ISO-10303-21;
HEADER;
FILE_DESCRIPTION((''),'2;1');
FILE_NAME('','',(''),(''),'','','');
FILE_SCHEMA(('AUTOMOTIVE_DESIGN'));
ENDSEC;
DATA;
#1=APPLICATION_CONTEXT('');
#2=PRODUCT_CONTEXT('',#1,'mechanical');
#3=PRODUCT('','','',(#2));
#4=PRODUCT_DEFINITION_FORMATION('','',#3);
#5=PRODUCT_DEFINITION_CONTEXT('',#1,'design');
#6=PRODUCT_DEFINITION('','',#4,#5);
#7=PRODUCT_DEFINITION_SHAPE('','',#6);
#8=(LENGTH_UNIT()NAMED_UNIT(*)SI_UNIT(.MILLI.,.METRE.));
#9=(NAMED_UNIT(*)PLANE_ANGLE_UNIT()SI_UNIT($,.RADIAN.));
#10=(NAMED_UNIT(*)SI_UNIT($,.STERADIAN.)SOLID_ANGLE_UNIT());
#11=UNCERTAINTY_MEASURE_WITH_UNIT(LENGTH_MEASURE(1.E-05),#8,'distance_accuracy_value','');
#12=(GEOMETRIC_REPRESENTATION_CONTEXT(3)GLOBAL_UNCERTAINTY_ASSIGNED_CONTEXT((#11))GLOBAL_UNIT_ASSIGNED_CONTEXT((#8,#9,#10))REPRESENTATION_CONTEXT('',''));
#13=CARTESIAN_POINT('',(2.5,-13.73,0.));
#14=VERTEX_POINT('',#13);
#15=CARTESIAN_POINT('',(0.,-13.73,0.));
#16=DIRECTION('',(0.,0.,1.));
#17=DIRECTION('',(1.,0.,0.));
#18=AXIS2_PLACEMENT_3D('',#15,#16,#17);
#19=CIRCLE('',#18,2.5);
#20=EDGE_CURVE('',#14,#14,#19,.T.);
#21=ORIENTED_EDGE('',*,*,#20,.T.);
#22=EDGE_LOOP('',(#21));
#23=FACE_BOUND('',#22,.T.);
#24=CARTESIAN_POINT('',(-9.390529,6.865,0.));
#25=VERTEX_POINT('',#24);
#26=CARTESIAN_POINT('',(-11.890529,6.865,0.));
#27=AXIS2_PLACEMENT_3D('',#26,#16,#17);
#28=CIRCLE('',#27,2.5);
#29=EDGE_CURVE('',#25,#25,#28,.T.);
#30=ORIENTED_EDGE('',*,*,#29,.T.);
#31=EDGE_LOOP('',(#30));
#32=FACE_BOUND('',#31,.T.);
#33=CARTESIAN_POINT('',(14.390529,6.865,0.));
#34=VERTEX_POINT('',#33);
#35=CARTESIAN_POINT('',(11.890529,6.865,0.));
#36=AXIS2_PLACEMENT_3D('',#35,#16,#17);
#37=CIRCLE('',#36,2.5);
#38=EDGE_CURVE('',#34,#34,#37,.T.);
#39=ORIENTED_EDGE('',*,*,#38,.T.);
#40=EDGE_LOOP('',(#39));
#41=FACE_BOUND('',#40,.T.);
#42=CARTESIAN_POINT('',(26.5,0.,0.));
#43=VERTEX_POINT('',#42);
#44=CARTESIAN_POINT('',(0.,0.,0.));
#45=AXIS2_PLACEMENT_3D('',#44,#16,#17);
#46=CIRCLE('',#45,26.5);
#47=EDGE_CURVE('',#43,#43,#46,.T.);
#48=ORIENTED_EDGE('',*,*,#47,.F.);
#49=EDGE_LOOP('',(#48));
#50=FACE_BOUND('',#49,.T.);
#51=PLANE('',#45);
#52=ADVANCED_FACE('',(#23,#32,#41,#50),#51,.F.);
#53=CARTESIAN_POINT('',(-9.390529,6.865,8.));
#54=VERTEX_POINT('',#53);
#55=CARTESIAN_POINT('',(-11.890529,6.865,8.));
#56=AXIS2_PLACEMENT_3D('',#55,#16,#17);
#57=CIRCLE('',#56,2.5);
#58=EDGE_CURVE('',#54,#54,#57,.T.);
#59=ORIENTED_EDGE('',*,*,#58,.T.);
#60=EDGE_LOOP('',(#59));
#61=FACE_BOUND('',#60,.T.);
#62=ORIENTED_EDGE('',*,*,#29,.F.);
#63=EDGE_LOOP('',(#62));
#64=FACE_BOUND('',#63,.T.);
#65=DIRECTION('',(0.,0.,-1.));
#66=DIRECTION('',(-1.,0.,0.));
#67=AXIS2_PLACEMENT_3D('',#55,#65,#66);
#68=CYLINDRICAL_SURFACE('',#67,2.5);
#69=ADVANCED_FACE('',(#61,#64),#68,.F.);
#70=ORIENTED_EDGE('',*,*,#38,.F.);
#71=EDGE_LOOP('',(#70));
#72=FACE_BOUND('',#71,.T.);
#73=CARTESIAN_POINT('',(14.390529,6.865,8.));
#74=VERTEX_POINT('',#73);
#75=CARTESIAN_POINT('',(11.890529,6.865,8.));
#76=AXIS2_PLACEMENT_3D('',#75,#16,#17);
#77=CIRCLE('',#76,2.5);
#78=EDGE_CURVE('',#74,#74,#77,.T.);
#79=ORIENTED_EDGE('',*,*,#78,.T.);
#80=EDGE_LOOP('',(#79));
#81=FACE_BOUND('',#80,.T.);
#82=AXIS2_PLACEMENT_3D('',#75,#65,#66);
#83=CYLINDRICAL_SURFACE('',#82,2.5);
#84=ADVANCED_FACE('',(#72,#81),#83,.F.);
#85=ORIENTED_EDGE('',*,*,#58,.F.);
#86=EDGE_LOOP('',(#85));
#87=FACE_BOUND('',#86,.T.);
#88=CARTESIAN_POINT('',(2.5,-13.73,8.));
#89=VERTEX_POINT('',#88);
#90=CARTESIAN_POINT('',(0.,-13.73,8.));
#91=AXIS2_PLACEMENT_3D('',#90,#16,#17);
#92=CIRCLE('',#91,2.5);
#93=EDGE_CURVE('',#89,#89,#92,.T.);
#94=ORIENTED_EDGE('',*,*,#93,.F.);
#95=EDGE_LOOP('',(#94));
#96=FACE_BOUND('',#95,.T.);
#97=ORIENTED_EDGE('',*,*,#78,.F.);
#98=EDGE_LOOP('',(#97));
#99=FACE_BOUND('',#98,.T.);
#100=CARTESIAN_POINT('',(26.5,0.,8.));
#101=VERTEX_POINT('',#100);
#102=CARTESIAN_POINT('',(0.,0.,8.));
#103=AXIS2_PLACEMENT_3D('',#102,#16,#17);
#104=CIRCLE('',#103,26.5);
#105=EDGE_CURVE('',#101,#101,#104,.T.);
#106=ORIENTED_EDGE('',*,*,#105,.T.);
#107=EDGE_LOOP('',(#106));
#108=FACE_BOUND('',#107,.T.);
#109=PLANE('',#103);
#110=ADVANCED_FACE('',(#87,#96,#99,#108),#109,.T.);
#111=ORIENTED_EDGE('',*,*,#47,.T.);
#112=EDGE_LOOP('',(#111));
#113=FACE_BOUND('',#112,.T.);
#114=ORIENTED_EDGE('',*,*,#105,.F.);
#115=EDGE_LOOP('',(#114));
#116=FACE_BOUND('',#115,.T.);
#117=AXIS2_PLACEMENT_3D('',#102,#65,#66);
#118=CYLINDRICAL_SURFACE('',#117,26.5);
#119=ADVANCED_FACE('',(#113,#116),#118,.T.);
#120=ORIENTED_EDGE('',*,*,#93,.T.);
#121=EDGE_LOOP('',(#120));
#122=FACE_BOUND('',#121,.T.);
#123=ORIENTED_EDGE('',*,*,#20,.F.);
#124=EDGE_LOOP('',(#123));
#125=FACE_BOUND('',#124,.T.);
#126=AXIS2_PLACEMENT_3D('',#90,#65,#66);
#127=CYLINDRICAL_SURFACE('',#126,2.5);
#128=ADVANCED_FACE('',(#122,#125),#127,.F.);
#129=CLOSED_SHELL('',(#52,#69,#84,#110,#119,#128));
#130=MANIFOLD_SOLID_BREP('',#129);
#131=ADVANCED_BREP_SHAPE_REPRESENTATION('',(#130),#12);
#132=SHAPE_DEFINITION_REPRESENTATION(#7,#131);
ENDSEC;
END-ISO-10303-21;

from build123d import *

# Parameters (mm, degrees)
SKETCH1_R           = 26.5
SKETCH1_R_2         = 2.5
BOSS_EXTRUDE1_DEPTH = 8


with BuildPart() as part:
    # Sketch1 → Boss-Extrude1 (new body)
    with BuildSketch(Plane.XY):
        Circle(SKETCH1_R)
        with Locations((0, -13.73)):
            Circle(SKETCH1_R_2, mode=Mode.SUBTRACT)
        with Locations((-11.890528794, 6.865)):
            Circle(SKETCH1_R_2, mode=Mode.SUBTRACT)
        with Locations((11.890528794, 6.865)):
            Circle(SKETCH1_R_2, mode=Mode.SUBTRACT)
    extrude(amount=BOSS_EXTRUDE1_DEPTH)


solid = part.part
